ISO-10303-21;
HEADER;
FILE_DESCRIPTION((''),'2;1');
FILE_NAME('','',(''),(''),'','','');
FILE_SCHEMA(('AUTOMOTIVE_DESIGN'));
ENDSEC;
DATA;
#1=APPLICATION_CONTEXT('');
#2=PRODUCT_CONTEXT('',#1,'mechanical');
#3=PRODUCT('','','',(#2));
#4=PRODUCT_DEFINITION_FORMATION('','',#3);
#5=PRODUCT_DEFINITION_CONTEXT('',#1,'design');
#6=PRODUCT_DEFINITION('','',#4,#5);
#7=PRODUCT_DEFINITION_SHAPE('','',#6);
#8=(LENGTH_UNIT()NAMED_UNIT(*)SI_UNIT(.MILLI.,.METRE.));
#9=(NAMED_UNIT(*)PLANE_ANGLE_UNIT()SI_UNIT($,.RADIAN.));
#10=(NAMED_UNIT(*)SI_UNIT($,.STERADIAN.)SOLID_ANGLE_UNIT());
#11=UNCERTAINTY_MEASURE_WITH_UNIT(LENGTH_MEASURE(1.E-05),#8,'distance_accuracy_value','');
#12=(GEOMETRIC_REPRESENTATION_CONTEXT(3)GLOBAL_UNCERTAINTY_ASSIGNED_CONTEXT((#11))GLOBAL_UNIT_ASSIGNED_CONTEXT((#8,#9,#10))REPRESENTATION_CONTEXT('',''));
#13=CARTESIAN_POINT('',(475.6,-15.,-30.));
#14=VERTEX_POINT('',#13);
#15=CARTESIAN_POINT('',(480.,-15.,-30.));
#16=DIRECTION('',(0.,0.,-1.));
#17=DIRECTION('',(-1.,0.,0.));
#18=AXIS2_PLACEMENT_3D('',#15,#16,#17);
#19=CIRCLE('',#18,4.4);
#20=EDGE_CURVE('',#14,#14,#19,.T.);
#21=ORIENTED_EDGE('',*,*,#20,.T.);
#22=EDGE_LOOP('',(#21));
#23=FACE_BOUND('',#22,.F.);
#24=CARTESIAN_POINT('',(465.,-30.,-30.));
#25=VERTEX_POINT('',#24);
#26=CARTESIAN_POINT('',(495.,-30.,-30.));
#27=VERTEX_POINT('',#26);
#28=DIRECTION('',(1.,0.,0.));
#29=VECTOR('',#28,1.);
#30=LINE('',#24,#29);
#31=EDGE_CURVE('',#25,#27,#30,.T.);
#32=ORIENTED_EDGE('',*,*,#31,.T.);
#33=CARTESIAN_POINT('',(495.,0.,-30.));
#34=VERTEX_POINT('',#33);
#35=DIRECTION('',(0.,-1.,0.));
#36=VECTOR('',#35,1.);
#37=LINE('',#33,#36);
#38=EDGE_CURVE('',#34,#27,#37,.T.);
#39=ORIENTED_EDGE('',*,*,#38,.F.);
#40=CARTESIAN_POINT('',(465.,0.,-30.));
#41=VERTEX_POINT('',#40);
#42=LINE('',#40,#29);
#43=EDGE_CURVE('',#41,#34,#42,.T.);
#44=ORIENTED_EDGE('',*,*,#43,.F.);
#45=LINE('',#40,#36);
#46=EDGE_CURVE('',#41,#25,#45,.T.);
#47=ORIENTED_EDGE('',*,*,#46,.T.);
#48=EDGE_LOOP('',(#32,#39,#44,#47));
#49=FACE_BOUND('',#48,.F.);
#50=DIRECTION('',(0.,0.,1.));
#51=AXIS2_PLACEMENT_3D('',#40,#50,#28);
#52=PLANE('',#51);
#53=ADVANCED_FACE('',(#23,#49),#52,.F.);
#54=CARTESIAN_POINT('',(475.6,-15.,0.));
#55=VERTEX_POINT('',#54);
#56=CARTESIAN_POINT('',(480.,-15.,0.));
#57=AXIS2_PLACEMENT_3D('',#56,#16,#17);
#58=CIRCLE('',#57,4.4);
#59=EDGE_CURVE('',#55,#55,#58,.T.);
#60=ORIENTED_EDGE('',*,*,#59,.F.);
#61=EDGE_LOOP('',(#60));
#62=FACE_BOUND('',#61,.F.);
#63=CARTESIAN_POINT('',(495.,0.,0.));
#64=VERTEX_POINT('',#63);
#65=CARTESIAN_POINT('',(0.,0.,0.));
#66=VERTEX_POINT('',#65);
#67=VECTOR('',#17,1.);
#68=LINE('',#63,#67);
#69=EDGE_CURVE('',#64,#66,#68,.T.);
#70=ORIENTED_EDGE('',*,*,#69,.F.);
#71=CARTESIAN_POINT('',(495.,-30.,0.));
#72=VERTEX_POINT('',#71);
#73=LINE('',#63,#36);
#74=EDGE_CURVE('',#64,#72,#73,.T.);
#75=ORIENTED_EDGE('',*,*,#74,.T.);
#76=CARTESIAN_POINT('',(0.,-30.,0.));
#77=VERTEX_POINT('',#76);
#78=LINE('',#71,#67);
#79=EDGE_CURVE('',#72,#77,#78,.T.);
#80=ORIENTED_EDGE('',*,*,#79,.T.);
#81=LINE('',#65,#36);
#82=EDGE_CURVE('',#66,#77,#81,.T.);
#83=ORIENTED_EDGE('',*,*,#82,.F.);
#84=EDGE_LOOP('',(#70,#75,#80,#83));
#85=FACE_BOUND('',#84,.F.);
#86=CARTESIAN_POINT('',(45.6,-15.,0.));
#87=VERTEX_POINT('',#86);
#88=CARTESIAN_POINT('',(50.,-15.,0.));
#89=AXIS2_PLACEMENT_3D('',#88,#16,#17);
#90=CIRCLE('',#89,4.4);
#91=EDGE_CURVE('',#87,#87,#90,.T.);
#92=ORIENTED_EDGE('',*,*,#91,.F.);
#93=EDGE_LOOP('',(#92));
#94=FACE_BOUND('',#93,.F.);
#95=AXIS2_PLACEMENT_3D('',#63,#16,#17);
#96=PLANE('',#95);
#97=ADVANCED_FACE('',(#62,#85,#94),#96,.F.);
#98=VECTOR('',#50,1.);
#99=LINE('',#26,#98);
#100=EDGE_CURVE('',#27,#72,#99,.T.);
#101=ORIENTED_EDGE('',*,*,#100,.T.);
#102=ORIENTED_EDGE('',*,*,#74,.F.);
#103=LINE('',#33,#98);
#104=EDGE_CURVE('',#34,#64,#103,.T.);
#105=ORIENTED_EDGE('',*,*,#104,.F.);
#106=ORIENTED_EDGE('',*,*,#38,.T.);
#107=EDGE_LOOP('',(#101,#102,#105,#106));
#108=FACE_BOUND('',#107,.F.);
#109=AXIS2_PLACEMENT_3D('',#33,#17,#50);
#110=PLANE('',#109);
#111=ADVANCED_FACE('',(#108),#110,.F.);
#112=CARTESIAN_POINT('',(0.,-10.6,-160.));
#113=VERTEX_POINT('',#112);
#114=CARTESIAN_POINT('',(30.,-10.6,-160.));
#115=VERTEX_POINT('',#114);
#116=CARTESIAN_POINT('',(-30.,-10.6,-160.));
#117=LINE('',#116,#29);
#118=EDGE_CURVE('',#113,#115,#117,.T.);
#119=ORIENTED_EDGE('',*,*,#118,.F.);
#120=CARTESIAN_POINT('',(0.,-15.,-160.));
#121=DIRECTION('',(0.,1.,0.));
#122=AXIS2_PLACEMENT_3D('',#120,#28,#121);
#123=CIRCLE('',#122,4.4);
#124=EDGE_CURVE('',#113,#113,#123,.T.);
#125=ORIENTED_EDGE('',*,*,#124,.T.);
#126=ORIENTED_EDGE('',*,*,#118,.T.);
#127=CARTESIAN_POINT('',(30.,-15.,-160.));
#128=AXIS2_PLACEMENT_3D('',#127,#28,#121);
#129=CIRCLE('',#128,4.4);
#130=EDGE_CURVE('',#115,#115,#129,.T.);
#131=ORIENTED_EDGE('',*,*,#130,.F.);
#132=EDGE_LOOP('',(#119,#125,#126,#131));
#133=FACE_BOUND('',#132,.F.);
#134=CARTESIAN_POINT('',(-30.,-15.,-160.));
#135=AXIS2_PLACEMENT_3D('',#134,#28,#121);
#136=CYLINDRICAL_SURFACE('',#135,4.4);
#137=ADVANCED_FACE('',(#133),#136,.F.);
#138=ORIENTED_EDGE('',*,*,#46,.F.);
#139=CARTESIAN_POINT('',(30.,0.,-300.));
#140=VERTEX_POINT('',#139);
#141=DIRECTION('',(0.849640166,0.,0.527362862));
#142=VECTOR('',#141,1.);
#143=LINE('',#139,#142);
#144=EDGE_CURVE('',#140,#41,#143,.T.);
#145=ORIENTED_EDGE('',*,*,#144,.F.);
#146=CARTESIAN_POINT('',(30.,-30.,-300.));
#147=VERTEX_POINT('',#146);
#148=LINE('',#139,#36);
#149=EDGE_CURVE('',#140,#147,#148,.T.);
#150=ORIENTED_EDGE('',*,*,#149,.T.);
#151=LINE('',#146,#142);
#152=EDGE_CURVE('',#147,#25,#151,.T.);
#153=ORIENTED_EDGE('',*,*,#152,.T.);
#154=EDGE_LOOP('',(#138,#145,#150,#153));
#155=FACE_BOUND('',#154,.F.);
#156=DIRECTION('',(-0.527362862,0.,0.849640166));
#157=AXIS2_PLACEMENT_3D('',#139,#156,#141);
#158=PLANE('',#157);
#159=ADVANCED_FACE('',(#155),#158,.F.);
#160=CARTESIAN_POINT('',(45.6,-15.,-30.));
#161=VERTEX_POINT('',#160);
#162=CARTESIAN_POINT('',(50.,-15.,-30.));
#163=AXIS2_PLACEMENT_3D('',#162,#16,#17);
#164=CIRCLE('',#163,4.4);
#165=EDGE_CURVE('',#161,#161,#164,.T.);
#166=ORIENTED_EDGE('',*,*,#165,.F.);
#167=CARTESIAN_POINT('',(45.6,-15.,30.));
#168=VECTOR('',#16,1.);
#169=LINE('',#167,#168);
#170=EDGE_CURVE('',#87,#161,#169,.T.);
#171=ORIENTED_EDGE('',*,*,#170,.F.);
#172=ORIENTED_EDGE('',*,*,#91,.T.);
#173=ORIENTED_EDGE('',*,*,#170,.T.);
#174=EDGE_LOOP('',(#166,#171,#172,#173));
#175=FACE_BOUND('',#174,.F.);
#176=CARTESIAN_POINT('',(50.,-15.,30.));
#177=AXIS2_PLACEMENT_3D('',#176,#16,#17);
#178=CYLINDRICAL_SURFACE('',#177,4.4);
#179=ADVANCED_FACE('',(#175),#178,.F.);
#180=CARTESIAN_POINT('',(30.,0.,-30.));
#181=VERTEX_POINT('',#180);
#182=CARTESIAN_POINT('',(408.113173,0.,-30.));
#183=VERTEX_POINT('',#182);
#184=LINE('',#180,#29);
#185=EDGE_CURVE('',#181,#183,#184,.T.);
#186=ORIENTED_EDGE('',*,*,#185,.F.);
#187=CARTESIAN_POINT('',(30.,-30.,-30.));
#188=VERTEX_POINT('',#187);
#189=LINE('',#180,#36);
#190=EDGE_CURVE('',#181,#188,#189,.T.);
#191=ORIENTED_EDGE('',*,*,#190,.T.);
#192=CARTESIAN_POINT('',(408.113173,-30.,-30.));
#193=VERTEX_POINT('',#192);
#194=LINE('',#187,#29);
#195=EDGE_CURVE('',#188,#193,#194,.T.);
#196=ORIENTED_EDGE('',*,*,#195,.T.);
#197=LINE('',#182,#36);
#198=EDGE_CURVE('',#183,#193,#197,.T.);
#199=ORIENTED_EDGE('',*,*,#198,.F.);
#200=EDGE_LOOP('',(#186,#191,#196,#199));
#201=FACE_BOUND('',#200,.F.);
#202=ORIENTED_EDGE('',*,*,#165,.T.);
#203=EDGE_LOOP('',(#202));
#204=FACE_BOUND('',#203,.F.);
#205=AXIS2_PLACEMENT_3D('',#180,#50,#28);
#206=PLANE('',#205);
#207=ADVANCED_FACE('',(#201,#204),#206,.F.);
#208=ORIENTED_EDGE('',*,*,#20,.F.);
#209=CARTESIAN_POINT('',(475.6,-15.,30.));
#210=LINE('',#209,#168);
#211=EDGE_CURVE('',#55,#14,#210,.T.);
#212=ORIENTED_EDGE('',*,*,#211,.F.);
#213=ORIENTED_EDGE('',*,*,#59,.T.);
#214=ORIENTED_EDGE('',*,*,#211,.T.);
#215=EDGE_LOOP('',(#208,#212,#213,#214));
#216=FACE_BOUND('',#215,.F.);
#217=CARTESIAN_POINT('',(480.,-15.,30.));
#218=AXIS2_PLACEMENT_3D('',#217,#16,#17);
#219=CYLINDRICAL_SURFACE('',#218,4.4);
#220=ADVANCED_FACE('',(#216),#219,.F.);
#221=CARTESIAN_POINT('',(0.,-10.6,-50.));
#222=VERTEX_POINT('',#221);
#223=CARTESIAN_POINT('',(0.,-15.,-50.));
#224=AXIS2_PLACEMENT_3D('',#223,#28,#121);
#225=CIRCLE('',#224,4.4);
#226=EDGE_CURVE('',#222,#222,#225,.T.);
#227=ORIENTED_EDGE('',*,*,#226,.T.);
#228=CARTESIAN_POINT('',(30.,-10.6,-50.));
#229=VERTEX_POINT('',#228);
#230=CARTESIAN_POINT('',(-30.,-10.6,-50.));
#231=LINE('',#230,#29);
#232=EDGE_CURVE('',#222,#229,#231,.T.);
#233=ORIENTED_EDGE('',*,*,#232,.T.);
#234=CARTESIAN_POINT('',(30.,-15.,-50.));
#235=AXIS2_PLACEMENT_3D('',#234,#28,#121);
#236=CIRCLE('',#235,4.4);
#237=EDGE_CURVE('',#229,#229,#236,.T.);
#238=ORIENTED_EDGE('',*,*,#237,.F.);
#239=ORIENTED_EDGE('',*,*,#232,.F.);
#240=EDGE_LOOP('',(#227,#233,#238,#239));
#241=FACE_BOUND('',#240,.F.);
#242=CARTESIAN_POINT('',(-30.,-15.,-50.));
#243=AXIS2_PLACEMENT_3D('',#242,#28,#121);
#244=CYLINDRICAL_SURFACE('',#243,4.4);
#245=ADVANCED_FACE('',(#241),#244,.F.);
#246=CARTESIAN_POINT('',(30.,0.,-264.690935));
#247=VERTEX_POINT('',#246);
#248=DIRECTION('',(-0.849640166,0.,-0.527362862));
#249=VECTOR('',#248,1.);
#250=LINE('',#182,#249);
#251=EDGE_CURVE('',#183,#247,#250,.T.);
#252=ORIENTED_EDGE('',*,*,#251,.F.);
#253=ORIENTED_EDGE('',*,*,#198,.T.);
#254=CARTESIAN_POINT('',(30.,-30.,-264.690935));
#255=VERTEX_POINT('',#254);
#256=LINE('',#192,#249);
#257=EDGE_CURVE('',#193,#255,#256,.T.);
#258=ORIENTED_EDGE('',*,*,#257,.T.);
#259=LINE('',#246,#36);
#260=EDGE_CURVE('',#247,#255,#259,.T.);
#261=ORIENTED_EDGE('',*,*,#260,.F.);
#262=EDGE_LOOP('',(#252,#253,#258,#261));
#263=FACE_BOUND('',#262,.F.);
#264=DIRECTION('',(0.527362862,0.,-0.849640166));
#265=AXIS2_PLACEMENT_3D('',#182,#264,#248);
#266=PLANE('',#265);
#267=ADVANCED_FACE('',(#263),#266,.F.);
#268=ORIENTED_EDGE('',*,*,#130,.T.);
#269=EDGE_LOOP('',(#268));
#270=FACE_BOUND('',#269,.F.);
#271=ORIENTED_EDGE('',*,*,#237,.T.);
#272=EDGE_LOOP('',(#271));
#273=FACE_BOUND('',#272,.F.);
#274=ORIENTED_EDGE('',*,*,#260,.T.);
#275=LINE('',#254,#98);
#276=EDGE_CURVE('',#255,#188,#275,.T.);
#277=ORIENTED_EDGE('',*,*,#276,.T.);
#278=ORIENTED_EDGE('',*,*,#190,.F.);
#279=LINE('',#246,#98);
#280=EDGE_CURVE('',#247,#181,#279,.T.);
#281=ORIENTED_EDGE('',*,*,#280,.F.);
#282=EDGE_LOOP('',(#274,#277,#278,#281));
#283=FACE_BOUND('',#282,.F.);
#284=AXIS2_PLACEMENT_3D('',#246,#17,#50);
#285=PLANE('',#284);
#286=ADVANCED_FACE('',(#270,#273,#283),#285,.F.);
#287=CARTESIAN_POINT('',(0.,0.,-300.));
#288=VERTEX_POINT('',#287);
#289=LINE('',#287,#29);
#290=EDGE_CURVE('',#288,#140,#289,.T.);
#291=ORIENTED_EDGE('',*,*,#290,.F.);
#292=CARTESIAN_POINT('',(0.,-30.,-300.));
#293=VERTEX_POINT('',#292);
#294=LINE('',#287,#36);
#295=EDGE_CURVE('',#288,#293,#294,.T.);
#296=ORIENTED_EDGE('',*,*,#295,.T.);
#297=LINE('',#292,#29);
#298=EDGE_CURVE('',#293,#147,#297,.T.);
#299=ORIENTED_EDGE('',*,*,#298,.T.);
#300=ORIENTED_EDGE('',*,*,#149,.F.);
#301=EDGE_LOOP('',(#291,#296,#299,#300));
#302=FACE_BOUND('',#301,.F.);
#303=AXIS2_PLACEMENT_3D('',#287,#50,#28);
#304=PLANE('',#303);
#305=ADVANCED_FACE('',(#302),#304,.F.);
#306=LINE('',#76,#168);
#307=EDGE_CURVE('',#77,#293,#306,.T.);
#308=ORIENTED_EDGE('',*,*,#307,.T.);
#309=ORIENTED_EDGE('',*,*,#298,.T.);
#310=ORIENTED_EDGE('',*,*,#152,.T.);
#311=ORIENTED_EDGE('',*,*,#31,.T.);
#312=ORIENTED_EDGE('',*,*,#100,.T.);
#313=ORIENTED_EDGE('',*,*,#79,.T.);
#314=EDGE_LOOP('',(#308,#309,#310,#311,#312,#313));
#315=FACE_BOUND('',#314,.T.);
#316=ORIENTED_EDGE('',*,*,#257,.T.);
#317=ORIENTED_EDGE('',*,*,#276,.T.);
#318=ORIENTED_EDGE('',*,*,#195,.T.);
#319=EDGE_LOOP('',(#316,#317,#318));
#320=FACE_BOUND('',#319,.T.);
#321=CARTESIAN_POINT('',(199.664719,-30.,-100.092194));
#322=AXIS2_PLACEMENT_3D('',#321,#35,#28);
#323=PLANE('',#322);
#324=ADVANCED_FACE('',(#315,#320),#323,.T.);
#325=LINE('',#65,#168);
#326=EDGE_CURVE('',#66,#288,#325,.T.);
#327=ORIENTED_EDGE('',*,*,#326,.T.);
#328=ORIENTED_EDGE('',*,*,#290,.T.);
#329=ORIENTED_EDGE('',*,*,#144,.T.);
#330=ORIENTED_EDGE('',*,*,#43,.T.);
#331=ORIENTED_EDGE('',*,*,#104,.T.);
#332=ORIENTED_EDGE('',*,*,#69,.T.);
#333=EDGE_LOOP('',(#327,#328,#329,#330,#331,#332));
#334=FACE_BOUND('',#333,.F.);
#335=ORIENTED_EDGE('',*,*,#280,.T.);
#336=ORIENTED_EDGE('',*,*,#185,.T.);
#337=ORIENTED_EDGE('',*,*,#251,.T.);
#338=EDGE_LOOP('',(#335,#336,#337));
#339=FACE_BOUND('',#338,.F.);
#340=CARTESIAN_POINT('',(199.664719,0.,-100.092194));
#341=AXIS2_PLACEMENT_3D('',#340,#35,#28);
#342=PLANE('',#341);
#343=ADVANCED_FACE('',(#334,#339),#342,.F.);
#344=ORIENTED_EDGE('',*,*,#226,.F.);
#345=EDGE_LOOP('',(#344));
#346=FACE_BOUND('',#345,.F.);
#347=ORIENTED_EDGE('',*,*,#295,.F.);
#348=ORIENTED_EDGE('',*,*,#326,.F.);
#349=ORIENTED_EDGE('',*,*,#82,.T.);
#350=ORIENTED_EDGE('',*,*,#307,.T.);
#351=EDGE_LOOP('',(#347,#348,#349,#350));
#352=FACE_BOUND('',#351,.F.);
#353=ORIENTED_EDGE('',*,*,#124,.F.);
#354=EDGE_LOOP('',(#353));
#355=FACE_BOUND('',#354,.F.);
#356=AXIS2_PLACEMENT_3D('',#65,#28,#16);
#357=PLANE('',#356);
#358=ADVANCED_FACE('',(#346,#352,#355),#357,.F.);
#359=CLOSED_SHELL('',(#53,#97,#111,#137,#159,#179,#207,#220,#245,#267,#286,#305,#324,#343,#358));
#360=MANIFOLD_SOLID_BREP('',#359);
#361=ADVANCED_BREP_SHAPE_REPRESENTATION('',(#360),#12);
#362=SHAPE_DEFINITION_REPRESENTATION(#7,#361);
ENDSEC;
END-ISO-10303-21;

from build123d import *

# Parameters (mm, degrees)
F1_DEPTH = 30
F3_D     = 8.8
F3_DEPTH = 30
F3_TIP   = 2.6437867237
F5_D     = 8.8
F5_DEPTH = 30
F5_TIP   = 2.6437867237


with BuildPart() as f1:
    # F0 (on Front) → F1 (new body)
    with BuildSketch(Plane.XZ):
        Polygon((495, 0), (0, 0), (0, -300), (30, -300), (465, -30), (495, -30), align=None)
        Polygon((30, -264.6909348292), (30, -30), (408.1131727804, -30), align=None, mode=Mode.SUBTRACT)
    extrude(amount=F1_DEPTH)

    # F3
    with Locations(Plane(origin=(0, 0, 0), x_dir=(0, -1, 0), z_dir=(-1, 0, 0))):
        with Locations((15, -50), (15, -160)):
            Hole(F3_D / 2, depth=F3_DEPTH)
            with Locations((0, 0, -(F3_DEPTH + F3_TIP / 2))):  # 118° drill point
                Cone(0, F3_D / 2, F3_TIP, mode=Mode.SUBTRACT)

    # F5
    with Locations(Plane.XY):
        with Locations((480, -15), (50, -15)):
            Hole(F5_D / 2, depth=F5_DEPTH)
            with Locations((0, 0, -(F5_DEPTH + F5_TIP / 2))):  # 118° drill point
                Cone(0, F5_D / 2, F5_TIP, mode=Mode.SUBTRACT)


solid = f1.part
